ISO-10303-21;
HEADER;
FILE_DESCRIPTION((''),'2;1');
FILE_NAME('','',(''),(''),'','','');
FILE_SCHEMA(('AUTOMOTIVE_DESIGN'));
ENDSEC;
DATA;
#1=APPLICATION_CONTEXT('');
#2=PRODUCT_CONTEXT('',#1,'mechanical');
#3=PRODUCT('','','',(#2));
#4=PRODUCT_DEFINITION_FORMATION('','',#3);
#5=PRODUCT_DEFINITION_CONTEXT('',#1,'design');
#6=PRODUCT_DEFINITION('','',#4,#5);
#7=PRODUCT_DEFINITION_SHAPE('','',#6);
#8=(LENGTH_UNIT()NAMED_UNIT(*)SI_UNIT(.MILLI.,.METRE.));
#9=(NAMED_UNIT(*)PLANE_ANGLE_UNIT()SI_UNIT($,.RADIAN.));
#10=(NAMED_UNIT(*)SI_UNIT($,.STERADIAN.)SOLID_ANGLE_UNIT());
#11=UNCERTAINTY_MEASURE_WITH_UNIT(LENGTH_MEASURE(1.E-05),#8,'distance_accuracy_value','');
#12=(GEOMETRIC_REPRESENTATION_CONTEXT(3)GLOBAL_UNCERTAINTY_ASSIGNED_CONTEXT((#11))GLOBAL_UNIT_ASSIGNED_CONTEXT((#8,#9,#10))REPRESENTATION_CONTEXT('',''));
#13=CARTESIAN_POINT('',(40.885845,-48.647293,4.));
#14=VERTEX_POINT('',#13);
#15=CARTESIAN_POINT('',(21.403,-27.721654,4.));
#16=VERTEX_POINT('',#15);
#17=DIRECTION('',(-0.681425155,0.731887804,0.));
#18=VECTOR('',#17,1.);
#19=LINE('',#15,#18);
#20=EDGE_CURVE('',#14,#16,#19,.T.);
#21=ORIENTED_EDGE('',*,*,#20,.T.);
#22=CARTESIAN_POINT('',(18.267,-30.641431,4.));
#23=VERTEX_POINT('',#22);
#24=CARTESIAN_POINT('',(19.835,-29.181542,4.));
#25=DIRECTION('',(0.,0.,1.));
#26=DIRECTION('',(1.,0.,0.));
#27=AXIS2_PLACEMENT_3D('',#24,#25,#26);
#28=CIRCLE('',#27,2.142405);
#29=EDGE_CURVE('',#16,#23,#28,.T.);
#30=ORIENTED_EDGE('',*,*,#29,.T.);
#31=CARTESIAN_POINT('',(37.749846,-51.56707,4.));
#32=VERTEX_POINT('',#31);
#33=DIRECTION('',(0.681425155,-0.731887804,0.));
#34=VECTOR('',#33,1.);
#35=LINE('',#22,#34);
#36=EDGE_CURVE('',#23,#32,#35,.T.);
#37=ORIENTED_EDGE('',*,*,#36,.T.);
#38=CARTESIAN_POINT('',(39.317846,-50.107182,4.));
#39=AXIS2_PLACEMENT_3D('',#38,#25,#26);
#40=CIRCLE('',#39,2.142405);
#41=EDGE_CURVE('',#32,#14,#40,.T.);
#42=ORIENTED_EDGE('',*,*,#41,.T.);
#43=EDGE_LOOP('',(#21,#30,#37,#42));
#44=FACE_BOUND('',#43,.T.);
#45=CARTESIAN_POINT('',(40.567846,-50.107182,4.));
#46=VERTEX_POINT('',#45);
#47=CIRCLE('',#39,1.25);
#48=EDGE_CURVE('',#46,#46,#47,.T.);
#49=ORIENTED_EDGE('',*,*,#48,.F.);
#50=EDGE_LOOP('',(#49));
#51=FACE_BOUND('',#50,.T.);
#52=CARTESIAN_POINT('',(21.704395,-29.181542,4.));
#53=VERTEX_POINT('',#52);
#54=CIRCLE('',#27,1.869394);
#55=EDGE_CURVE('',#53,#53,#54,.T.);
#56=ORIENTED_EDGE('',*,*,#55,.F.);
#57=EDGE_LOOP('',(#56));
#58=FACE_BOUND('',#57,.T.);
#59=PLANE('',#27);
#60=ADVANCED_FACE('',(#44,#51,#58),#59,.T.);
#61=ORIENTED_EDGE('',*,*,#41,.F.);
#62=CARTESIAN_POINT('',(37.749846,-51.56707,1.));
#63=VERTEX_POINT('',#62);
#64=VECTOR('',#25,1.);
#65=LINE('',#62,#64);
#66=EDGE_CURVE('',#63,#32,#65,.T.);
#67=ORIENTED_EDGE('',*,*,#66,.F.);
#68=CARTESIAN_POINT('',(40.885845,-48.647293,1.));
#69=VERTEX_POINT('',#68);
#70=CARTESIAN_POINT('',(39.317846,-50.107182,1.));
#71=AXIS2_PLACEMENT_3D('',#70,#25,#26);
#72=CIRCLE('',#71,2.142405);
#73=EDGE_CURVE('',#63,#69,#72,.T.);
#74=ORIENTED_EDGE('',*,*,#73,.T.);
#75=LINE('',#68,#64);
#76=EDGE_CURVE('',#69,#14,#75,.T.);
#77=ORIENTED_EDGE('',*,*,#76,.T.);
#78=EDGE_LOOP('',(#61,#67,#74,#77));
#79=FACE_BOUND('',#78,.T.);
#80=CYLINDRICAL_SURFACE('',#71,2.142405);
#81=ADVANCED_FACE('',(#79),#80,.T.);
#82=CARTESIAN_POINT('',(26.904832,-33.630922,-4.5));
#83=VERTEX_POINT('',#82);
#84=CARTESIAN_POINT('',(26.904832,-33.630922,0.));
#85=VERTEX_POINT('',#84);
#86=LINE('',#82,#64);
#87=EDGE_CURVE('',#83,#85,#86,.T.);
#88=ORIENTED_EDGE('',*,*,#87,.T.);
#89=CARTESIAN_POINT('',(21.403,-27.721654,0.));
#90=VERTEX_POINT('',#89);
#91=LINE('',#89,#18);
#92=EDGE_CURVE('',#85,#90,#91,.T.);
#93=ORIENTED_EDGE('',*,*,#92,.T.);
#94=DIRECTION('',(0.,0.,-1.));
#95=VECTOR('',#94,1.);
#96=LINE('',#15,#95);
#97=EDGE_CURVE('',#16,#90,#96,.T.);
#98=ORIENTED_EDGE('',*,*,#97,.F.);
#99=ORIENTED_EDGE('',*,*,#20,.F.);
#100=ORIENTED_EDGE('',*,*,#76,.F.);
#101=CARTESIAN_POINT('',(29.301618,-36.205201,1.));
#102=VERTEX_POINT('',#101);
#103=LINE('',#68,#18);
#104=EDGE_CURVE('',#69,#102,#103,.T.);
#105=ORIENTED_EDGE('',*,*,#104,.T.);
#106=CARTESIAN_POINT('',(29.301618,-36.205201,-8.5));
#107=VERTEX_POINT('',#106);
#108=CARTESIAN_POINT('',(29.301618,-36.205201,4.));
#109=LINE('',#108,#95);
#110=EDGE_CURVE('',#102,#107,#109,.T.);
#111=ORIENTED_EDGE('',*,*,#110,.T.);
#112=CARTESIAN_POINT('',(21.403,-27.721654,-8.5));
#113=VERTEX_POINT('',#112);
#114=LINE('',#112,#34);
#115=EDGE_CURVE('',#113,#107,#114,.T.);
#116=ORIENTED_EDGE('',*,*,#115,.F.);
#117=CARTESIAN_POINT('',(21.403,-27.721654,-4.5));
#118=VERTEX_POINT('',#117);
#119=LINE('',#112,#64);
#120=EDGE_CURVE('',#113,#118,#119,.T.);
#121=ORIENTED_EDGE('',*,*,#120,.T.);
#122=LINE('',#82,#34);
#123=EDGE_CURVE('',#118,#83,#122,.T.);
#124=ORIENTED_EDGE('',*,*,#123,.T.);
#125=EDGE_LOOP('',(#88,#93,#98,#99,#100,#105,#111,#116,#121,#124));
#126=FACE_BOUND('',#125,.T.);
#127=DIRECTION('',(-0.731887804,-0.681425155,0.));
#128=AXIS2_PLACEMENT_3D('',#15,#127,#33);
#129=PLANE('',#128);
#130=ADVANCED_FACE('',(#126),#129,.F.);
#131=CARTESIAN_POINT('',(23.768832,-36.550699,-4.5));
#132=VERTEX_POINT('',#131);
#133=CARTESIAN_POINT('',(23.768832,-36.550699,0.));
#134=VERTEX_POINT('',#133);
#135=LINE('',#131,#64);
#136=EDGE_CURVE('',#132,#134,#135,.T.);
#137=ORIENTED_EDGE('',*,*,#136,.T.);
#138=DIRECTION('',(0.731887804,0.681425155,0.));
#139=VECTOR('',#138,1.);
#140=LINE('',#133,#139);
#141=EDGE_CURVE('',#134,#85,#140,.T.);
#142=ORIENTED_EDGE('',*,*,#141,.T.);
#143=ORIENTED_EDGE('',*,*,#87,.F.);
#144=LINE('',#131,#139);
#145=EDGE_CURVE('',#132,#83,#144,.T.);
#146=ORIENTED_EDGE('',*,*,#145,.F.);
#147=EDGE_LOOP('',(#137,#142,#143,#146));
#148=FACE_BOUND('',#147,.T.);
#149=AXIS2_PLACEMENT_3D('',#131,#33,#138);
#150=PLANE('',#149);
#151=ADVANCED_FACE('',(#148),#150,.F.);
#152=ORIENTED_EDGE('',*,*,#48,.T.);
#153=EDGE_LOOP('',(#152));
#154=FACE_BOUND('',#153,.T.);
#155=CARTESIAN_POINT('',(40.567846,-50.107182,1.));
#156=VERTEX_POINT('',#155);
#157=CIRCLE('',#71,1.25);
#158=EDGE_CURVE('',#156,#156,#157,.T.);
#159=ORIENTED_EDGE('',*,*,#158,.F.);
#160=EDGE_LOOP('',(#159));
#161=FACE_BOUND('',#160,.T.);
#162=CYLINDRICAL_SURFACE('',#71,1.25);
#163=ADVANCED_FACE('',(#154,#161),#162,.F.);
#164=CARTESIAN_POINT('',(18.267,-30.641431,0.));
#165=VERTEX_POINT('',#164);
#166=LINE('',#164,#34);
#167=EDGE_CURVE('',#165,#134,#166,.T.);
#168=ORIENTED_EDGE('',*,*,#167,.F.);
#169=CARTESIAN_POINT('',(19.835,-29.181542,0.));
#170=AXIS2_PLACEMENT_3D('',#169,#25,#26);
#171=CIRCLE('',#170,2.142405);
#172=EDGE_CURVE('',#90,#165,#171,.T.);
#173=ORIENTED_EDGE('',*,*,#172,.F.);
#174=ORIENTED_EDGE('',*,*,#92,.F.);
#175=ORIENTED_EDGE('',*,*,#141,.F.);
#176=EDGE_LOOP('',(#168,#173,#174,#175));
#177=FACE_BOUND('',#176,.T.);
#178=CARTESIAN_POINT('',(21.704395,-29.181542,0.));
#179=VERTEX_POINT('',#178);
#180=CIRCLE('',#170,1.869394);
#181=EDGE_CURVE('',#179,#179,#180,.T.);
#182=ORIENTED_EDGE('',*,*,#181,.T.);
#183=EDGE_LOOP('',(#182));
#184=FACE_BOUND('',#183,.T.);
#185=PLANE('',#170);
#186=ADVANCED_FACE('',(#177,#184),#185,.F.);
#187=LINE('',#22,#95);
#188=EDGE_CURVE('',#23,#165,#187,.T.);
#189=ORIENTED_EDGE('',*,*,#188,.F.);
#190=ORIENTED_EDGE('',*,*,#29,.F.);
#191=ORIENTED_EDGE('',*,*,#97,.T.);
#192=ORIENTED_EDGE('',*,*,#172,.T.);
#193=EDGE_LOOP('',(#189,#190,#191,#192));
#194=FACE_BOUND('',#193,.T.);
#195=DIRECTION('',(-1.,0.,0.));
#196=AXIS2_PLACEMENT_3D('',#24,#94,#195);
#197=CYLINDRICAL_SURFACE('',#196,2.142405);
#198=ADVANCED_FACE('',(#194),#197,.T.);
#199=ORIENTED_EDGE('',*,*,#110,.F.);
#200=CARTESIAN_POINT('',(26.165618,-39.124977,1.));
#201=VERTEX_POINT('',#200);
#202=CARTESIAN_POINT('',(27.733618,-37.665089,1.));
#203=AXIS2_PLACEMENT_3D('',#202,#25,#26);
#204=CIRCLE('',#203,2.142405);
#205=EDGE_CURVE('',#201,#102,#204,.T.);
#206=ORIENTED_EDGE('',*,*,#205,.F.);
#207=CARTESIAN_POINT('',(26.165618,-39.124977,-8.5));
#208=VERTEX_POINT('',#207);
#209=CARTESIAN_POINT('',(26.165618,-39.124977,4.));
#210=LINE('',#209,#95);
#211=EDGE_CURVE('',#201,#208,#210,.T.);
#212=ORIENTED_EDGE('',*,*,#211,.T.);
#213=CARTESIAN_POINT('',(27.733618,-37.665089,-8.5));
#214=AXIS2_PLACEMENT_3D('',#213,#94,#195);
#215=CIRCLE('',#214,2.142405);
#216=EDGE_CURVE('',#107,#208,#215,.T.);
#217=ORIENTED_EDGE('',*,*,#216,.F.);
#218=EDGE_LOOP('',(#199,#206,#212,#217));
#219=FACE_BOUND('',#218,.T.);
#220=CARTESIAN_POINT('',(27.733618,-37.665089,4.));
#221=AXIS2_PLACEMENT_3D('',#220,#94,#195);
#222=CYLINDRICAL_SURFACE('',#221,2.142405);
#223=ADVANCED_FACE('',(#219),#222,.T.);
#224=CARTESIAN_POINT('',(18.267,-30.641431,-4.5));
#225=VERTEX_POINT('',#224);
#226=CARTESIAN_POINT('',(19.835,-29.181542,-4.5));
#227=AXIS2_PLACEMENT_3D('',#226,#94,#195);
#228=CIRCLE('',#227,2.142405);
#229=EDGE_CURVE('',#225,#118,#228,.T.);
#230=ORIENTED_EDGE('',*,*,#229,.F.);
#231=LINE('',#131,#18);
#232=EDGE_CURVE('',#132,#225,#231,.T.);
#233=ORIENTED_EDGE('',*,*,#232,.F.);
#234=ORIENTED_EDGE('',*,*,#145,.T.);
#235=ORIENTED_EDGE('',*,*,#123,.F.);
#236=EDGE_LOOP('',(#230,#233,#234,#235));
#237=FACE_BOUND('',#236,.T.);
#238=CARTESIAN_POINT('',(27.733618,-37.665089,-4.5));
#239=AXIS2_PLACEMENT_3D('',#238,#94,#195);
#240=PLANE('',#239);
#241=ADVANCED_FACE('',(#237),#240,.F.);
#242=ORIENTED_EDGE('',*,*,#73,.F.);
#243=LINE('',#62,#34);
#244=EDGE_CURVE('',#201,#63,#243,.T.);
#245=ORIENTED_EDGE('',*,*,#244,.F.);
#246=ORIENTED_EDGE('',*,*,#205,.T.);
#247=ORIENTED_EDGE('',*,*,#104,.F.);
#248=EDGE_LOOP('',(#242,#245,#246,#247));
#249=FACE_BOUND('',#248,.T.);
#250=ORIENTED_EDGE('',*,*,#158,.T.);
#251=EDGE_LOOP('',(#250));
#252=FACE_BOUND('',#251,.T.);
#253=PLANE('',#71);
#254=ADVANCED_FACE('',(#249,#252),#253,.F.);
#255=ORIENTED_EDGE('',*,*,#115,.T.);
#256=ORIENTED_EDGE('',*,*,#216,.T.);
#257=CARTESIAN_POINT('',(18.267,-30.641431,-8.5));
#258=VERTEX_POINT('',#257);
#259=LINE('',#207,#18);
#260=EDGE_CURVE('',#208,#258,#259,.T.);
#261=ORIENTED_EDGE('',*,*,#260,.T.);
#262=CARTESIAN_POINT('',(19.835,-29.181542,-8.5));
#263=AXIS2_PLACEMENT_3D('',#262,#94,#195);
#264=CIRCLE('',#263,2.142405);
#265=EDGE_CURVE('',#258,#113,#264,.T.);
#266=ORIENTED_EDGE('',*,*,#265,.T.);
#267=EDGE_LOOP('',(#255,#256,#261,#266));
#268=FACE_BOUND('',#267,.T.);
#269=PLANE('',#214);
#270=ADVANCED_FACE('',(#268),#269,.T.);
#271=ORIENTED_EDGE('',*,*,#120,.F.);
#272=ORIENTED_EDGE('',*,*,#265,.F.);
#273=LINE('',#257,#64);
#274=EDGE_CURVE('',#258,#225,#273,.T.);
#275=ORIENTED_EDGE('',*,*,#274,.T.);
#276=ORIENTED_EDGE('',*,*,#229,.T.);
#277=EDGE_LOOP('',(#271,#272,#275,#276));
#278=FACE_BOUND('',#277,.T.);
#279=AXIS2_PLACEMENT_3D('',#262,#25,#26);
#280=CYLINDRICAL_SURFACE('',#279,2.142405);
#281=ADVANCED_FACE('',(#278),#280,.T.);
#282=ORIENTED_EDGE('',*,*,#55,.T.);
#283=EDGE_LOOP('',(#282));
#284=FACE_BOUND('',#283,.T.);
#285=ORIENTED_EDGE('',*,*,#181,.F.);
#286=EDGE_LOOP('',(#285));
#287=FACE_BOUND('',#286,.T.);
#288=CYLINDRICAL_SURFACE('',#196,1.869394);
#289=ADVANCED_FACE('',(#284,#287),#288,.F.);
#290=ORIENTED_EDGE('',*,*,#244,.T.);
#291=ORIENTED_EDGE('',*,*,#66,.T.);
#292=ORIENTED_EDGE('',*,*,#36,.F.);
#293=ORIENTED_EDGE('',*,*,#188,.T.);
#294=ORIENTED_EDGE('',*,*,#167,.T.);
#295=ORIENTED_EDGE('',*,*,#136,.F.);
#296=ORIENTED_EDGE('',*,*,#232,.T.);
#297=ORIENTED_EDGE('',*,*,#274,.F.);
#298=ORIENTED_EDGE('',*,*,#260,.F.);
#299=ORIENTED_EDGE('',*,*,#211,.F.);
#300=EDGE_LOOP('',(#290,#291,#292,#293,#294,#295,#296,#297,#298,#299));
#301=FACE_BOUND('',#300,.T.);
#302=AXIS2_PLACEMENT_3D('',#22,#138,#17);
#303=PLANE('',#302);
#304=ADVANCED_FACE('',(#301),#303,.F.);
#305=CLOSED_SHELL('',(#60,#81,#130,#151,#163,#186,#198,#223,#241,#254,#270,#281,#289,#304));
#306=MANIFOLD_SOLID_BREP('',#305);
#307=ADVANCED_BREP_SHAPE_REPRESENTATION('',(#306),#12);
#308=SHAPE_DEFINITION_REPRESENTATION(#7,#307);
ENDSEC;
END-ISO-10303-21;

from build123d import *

# Parameters (mm, degrees)
SKETCH1_R           = 1.869394483
BOSS_EXTRUDE1_DEPTH = 4
BOSS_EXTRUDE2_START = 4.5
BOSS_EXTRUDE2_DEPTH = 4.5
BOSS_EXTRUDE3_START = 4
BOSS_EXTRUDE3_DEPTH = 4
BOSS_EXTRUDE4_START = -3
SKETCH6_R           = 1.25
BOSS_EXTRUDE4_DEPTH = 3


with BuildPart() as part:
    # Sketch1 → Boss-Extrude1 (new body)
    with BuildSketch(Plane.XY):
        with BuildLine():
            Line((21.403000099, -27.721654021), (29.301617843, -36.205200538))
            ThreePointArc((29.301617843, -36.205200538), (29.193506427, -39.233088823), (26.165618141, -39.124977407))
            Line((26.165618141, -39.124977407), (18.267000397, -30.64143089))
            ThreePointArc((18.267000397, -30.64143089), (18.375111813, -27.613542605), (21.403000099, -27.721654021))
        make_face()
        with Locations((19.835000248, -29.181542456)):
            Circle(SKETCH1_R, mode=Mode.SUBTRACT)
    extrude(amount=BOSS_EXTRUDE1_DEPTH)

    # Sketch2 → Boss-Extrude2 (add)
    with BuildSketch(Plane(origin=(0, 0, 0), x_dir=(-1, 0, 0), z_dir=(0, 0, -1)).offset(BOSS_EXTRUDE2_START)):
        with BuildLine():
            Line((-29.301617843, -36.205200538), (-26.904832103, -33.63092185))
            Line((-26.904832103, -33.63092185), (-23.768832401, -36.55069872))
            Line((-23.768832401, -36.55069872), (-26.165618141, -39.124977407))
            ThreePointArc((-26.165618141, -39.124977407), (-29.193506427, -39.233088823), (-29.301617843, -36.205200538))
        make_face()
    extrude(amount=-BOSS_EXTRUDE2_DEPTH)

    # Sketch3 → Boss-Extrude3 (add)
    with BuildSketch(Plane(origin=(0, 0, -4.5), x_dir=(-1, 0, 0), z_dir=(0, 0, -1)).offset(BOSS_EXTRUDE3_START)):
        with BuildLine():
            Line((-26.165618141, -39.124977407), (-23.768832401, -36.55069872))
            Line((-23.768832401, -36.55069872), (-18.267000397, -30.64143089))
            ThreePointArc((-18.267000397, -30.64143089), (-18.375111813, -27.613542605), (-21.403000099, -27.721654021))
            Line((-21.403000099, -27.721654021), (-26.904832103, -33.63092185))
            Line((-26.904832103, -33.63092185), (-29.301617843, -36.205200538))
            ThreePointArc((-29.301617843, -36.205200538), (-29.193506427, -39.233088823), (-26.165618141, -39.124977407))
        make_face()
    extrude(amount=-BOSS_EXTRUDE3_DEPTH)

    # Sketch6 → Boss-Extrude4 (add)
    with BuildSketch(Plane.XY.offset(4).offset(BOSS_EXTRUDE4_START)):
        with BuildLine():
            Line((37.749845774, -51.567070083), (26.165618141, -39.124977407))
            ThreePointArc((26.165618141, -39.124977407), (26.273729557, -36.097089122), (29.301617843, -36.205200538))
            Line((29.301617843, -36.205200538), (40.885845475, -48.647293214))
            ThreePointArc((40.885845475, -48.647293214), (40.777734059, -51.675181499), (37.749845774, -51.567070083))
        make_face()
        with Locations((39.317845624, -50.107181648)):
            Circle(SKETCH6_R, mode=Mode.SUBTRACT)
    extrude(amount=BOSS_EXTRUDE4_DEPTH)


solid = part.part
